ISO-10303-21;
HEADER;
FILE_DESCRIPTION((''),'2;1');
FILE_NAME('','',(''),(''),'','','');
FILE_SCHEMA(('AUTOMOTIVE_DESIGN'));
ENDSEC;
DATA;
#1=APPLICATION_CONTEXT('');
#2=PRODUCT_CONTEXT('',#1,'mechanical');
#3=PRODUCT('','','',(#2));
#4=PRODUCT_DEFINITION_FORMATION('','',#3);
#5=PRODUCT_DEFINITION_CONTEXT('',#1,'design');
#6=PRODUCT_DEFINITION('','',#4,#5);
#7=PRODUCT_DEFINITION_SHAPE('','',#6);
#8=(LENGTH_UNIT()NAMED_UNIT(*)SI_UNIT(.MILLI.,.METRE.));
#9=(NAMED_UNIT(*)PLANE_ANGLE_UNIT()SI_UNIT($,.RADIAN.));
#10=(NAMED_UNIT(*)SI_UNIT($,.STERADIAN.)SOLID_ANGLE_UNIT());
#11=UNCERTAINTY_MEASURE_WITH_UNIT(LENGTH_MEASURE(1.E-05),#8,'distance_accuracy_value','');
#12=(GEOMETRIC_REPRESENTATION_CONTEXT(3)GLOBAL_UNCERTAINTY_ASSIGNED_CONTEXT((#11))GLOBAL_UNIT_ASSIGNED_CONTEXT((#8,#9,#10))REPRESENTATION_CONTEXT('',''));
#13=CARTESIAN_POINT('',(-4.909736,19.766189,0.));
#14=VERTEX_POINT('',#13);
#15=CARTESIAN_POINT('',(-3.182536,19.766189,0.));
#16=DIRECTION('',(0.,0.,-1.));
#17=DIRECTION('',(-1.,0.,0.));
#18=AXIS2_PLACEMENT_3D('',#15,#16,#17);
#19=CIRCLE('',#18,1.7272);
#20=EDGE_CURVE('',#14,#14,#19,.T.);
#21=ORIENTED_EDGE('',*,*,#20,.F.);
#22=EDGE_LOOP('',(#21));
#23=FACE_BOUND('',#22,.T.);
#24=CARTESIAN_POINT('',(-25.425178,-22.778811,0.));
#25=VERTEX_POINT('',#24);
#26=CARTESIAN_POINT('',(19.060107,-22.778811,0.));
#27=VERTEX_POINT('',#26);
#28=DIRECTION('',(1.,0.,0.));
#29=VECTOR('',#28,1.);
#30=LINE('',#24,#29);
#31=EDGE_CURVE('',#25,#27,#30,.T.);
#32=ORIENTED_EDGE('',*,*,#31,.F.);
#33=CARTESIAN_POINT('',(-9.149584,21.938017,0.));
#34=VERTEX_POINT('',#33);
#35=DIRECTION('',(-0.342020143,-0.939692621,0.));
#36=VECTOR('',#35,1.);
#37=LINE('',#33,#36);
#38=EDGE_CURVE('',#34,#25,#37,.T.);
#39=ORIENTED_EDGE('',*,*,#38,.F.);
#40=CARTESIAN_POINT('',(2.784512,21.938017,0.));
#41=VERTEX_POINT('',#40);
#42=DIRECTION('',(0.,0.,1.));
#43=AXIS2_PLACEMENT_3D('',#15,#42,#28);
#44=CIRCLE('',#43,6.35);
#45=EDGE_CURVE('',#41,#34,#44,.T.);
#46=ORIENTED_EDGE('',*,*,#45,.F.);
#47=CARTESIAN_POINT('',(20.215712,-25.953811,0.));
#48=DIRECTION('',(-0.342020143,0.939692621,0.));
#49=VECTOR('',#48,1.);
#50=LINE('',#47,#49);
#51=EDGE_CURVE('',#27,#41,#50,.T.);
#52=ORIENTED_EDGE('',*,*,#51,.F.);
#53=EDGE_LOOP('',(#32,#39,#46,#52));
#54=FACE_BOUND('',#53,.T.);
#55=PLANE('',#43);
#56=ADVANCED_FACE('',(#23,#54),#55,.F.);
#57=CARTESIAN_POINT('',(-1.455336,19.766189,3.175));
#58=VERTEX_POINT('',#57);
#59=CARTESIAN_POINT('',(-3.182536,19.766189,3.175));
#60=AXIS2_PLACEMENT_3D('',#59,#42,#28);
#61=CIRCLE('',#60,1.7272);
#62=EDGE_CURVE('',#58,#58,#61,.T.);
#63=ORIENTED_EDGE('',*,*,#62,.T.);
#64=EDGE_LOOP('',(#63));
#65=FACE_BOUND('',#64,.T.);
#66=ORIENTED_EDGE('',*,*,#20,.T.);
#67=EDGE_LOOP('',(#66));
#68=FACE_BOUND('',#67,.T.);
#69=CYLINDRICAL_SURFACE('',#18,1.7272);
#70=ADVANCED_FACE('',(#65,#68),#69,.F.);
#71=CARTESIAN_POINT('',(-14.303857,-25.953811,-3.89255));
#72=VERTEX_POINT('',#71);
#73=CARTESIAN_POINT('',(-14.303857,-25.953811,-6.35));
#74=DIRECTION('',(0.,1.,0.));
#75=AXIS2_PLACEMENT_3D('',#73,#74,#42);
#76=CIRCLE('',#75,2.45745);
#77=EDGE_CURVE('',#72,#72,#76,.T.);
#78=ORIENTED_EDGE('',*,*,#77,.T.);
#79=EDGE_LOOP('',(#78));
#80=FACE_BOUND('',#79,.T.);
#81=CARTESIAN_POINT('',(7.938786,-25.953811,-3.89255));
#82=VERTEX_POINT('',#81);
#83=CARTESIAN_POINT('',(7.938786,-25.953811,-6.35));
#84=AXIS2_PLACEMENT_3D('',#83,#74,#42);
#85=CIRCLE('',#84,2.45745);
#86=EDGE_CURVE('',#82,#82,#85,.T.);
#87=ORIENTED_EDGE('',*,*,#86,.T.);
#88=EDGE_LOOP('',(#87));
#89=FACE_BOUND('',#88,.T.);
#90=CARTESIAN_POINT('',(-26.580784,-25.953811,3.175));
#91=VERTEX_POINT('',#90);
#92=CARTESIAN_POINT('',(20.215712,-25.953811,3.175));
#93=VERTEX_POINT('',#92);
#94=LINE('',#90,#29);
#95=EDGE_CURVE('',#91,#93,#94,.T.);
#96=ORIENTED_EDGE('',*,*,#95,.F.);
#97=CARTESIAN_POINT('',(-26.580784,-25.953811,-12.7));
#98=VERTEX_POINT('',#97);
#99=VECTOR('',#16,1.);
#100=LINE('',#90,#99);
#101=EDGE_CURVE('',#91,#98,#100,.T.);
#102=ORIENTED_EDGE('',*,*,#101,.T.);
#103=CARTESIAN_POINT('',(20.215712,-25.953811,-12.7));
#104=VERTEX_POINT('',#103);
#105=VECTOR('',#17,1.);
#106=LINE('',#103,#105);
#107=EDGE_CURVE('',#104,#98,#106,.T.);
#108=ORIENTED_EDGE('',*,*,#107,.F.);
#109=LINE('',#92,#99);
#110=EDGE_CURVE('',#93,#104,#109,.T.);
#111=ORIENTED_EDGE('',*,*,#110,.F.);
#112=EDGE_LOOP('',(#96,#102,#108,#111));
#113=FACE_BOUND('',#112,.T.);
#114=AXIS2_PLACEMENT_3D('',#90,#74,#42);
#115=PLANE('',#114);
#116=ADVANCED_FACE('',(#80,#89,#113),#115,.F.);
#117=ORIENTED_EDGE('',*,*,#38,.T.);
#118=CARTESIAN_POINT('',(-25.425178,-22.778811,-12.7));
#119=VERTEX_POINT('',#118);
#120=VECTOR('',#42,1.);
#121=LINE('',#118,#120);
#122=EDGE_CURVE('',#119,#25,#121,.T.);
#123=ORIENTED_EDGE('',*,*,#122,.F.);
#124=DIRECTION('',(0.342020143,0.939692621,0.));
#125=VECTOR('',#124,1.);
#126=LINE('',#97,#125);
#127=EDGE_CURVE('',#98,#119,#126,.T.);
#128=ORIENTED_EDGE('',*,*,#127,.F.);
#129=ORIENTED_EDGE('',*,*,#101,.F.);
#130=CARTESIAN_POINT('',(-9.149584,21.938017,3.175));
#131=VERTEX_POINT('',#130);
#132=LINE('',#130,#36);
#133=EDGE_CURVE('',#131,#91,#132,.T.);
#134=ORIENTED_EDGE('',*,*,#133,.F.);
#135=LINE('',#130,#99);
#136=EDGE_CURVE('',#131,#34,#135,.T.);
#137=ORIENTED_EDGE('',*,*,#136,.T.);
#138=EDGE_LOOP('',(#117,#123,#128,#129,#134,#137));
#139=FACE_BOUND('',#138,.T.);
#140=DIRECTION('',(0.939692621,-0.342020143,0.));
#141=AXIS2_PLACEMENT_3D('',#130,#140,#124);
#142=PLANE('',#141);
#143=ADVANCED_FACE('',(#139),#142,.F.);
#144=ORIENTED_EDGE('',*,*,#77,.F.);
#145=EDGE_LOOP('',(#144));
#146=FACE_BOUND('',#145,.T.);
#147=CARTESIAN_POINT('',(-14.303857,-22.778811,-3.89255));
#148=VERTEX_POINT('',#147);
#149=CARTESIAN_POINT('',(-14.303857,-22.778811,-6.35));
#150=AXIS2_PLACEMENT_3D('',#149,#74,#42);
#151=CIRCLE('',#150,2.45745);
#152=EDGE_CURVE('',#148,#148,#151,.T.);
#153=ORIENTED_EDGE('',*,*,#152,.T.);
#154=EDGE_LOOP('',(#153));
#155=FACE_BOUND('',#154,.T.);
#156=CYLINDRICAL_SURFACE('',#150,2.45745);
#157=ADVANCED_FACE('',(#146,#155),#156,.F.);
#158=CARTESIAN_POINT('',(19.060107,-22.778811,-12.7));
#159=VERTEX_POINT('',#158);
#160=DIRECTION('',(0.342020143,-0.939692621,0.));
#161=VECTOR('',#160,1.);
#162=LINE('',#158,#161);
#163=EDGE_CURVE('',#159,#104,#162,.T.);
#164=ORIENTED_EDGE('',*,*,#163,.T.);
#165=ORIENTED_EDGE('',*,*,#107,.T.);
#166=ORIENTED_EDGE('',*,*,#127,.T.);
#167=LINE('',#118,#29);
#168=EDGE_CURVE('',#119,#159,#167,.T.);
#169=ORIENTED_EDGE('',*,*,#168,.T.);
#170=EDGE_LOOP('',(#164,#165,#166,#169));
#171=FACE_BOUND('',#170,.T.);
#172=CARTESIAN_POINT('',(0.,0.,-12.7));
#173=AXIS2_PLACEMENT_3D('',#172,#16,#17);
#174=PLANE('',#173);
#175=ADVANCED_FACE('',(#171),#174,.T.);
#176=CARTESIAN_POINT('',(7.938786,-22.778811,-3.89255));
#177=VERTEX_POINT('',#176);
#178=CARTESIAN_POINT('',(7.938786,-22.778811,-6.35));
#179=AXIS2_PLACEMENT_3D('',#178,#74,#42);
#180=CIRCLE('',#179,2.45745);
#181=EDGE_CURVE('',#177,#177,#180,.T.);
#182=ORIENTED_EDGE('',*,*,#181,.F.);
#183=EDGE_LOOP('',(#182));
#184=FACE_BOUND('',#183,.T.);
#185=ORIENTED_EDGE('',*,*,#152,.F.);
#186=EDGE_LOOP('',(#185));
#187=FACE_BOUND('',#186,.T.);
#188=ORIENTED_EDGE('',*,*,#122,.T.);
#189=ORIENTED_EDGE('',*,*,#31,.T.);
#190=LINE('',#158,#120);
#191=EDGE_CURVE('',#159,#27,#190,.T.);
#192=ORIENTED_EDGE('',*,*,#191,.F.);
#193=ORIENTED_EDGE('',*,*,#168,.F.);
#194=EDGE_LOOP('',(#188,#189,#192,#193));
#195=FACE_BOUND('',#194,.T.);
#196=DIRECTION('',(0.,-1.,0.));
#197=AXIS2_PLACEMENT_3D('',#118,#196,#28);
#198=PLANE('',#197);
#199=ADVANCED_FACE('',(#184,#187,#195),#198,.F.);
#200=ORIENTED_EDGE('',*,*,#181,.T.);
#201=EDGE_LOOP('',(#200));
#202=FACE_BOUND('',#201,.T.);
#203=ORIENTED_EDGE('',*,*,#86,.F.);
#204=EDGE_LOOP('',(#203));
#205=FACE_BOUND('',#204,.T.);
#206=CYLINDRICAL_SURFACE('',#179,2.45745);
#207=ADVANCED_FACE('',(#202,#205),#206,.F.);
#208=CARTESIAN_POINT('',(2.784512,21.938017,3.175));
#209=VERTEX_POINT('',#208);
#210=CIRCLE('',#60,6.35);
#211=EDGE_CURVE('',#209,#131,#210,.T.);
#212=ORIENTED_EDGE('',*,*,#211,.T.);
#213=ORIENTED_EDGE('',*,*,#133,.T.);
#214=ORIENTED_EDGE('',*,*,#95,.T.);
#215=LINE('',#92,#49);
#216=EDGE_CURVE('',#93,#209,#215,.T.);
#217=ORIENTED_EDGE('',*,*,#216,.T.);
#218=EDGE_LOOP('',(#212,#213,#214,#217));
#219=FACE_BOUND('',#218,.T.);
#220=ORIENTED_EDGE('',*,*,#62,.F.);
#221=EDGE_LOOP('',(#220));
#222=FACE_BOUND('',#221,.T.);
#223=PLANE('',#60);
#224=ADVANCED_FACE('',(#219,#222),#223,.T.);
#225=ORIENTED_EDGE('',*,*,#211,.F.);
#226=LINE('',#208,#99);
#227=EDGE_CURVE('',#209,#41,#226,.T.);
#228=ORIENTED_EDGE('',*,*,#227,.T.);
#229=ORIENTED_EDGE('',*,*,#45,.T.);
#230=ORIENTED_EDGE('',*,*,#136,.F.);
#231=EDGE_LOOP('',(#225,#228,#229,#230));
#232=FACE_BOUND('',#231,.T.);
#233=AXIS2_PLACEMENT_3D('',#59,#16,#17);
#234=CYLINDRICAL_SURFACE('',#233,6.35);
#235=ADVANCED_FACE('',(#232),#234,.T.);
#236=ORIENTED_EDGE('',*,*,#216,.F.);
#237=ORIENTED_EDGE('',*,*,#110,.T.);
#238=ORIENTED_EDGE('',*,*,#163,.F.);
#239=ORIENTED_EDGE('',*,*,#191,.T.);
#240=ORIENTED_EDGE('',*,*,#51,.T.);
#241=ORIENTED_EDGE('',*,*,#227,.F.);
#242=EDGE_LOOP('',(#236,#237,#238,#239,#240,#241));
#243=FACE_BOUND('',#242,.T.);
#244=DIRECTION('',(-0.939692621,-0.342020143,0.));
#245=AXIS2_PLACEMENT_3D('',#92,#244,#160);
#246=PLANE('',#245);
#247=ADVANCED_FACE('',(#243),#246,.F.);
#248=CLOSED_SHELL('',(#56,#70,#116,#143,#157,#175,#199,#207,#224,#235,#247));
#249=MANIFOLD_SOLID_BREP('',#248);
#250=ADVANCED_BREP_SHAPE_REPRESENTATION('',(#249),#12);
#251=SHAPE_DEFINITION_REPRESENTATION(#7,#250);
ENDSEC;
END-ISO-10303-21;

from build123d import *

# Parameters (mm, degrees)
BOSS_EXTRUDE1_DEPTH           = 3.175
TAP_DRILL_FOR_8_32_TAP1_D     = 3.4544
TAP_DRILL_FOR_8_32_TAP1_DEPTH = 3.302
TAP_DRILL_FOR_8_32_TAP1_TIP   = 1.037806461
BOSS_EXTRUDE2_DEPTH           = 12.7
F_8_CLEARANCE_HOLE1_D         = 4.9149


with BuildPart() as part:
    # Sketch1 → Boss-Extrude1 (new body)
    with BuildSketch(Plane.XY):
        with BuildLine():
            Line((-9.149583802, 21.93801689), (-26.580783626, -25.95381102))
            Line((-26.580783626, -25.95381102), (20.215712306, -25.95381102))
            Line((20.215712306, -25.95381102), (2.784512482, 21.93801689))
            ThreePointArc((2.784512482, 21.93801689), (-3.18253566, 26.11618898), (-9.149583802, 21.93801689))
        make_face()
    extrude(amount=BOSS_EXTRUDE1_DEPTH)

    # Tap Drill for #8-32 Tap1
    with Locations(Plane(origin=(-3.18253566, 19.76618898, 0), x_dir=(-1, 0, 0), z_dir=(0, 0, -1))):
        with Locations((0, 0)):
            Hole(TAP_DRILL_FOR_8_32_TAP1_D / 2, depth=TAP_DRILL_FOR_8_32_TAP1_DEPTH)
            with Locations((0, 0, -(TAP_DRILL_FOR_8_32_TAP1_DEPTH + TAP_DRILL_FOR_8_32_TAP1_TIP / 2))):  # 118° drill point
                Cone(0, TAP_DRILL_FOR_8_32_TAP1_D / 2, TAP_DRILL_FOR_8_32_TAP1_TIP, mode=Mode.SUBTRACT)

    # Sketch3 → Boss-Extrude2 (add)
    with BuildSketch(Plane(origin=(0, 0, 0), x_dir=(-1, 0, 0), z_dir=(0, 0, -1))):
        Polygon((-19.060106812, -22.77881102), (-20.215712306, -25.95381102), (26.580783626, -25.95381102), (25.425178132, -22.77881102), align=None)
    extrude(amount=BOSS_EXTRUDE2_DEPTH)

    # #8 Clearance Hole1 (through all)
    with Locations(Plane(origin=(-14.303856896, -22.77881102, -6.35), x_dir=(1, 0, 0), z_dir=(0, 1, 0))):
        with Locations((0, 0), (22.242642472, 0)):
            Hole(F_8_CLEARANCE_HOLE1_D / 2)


solid = part.part
